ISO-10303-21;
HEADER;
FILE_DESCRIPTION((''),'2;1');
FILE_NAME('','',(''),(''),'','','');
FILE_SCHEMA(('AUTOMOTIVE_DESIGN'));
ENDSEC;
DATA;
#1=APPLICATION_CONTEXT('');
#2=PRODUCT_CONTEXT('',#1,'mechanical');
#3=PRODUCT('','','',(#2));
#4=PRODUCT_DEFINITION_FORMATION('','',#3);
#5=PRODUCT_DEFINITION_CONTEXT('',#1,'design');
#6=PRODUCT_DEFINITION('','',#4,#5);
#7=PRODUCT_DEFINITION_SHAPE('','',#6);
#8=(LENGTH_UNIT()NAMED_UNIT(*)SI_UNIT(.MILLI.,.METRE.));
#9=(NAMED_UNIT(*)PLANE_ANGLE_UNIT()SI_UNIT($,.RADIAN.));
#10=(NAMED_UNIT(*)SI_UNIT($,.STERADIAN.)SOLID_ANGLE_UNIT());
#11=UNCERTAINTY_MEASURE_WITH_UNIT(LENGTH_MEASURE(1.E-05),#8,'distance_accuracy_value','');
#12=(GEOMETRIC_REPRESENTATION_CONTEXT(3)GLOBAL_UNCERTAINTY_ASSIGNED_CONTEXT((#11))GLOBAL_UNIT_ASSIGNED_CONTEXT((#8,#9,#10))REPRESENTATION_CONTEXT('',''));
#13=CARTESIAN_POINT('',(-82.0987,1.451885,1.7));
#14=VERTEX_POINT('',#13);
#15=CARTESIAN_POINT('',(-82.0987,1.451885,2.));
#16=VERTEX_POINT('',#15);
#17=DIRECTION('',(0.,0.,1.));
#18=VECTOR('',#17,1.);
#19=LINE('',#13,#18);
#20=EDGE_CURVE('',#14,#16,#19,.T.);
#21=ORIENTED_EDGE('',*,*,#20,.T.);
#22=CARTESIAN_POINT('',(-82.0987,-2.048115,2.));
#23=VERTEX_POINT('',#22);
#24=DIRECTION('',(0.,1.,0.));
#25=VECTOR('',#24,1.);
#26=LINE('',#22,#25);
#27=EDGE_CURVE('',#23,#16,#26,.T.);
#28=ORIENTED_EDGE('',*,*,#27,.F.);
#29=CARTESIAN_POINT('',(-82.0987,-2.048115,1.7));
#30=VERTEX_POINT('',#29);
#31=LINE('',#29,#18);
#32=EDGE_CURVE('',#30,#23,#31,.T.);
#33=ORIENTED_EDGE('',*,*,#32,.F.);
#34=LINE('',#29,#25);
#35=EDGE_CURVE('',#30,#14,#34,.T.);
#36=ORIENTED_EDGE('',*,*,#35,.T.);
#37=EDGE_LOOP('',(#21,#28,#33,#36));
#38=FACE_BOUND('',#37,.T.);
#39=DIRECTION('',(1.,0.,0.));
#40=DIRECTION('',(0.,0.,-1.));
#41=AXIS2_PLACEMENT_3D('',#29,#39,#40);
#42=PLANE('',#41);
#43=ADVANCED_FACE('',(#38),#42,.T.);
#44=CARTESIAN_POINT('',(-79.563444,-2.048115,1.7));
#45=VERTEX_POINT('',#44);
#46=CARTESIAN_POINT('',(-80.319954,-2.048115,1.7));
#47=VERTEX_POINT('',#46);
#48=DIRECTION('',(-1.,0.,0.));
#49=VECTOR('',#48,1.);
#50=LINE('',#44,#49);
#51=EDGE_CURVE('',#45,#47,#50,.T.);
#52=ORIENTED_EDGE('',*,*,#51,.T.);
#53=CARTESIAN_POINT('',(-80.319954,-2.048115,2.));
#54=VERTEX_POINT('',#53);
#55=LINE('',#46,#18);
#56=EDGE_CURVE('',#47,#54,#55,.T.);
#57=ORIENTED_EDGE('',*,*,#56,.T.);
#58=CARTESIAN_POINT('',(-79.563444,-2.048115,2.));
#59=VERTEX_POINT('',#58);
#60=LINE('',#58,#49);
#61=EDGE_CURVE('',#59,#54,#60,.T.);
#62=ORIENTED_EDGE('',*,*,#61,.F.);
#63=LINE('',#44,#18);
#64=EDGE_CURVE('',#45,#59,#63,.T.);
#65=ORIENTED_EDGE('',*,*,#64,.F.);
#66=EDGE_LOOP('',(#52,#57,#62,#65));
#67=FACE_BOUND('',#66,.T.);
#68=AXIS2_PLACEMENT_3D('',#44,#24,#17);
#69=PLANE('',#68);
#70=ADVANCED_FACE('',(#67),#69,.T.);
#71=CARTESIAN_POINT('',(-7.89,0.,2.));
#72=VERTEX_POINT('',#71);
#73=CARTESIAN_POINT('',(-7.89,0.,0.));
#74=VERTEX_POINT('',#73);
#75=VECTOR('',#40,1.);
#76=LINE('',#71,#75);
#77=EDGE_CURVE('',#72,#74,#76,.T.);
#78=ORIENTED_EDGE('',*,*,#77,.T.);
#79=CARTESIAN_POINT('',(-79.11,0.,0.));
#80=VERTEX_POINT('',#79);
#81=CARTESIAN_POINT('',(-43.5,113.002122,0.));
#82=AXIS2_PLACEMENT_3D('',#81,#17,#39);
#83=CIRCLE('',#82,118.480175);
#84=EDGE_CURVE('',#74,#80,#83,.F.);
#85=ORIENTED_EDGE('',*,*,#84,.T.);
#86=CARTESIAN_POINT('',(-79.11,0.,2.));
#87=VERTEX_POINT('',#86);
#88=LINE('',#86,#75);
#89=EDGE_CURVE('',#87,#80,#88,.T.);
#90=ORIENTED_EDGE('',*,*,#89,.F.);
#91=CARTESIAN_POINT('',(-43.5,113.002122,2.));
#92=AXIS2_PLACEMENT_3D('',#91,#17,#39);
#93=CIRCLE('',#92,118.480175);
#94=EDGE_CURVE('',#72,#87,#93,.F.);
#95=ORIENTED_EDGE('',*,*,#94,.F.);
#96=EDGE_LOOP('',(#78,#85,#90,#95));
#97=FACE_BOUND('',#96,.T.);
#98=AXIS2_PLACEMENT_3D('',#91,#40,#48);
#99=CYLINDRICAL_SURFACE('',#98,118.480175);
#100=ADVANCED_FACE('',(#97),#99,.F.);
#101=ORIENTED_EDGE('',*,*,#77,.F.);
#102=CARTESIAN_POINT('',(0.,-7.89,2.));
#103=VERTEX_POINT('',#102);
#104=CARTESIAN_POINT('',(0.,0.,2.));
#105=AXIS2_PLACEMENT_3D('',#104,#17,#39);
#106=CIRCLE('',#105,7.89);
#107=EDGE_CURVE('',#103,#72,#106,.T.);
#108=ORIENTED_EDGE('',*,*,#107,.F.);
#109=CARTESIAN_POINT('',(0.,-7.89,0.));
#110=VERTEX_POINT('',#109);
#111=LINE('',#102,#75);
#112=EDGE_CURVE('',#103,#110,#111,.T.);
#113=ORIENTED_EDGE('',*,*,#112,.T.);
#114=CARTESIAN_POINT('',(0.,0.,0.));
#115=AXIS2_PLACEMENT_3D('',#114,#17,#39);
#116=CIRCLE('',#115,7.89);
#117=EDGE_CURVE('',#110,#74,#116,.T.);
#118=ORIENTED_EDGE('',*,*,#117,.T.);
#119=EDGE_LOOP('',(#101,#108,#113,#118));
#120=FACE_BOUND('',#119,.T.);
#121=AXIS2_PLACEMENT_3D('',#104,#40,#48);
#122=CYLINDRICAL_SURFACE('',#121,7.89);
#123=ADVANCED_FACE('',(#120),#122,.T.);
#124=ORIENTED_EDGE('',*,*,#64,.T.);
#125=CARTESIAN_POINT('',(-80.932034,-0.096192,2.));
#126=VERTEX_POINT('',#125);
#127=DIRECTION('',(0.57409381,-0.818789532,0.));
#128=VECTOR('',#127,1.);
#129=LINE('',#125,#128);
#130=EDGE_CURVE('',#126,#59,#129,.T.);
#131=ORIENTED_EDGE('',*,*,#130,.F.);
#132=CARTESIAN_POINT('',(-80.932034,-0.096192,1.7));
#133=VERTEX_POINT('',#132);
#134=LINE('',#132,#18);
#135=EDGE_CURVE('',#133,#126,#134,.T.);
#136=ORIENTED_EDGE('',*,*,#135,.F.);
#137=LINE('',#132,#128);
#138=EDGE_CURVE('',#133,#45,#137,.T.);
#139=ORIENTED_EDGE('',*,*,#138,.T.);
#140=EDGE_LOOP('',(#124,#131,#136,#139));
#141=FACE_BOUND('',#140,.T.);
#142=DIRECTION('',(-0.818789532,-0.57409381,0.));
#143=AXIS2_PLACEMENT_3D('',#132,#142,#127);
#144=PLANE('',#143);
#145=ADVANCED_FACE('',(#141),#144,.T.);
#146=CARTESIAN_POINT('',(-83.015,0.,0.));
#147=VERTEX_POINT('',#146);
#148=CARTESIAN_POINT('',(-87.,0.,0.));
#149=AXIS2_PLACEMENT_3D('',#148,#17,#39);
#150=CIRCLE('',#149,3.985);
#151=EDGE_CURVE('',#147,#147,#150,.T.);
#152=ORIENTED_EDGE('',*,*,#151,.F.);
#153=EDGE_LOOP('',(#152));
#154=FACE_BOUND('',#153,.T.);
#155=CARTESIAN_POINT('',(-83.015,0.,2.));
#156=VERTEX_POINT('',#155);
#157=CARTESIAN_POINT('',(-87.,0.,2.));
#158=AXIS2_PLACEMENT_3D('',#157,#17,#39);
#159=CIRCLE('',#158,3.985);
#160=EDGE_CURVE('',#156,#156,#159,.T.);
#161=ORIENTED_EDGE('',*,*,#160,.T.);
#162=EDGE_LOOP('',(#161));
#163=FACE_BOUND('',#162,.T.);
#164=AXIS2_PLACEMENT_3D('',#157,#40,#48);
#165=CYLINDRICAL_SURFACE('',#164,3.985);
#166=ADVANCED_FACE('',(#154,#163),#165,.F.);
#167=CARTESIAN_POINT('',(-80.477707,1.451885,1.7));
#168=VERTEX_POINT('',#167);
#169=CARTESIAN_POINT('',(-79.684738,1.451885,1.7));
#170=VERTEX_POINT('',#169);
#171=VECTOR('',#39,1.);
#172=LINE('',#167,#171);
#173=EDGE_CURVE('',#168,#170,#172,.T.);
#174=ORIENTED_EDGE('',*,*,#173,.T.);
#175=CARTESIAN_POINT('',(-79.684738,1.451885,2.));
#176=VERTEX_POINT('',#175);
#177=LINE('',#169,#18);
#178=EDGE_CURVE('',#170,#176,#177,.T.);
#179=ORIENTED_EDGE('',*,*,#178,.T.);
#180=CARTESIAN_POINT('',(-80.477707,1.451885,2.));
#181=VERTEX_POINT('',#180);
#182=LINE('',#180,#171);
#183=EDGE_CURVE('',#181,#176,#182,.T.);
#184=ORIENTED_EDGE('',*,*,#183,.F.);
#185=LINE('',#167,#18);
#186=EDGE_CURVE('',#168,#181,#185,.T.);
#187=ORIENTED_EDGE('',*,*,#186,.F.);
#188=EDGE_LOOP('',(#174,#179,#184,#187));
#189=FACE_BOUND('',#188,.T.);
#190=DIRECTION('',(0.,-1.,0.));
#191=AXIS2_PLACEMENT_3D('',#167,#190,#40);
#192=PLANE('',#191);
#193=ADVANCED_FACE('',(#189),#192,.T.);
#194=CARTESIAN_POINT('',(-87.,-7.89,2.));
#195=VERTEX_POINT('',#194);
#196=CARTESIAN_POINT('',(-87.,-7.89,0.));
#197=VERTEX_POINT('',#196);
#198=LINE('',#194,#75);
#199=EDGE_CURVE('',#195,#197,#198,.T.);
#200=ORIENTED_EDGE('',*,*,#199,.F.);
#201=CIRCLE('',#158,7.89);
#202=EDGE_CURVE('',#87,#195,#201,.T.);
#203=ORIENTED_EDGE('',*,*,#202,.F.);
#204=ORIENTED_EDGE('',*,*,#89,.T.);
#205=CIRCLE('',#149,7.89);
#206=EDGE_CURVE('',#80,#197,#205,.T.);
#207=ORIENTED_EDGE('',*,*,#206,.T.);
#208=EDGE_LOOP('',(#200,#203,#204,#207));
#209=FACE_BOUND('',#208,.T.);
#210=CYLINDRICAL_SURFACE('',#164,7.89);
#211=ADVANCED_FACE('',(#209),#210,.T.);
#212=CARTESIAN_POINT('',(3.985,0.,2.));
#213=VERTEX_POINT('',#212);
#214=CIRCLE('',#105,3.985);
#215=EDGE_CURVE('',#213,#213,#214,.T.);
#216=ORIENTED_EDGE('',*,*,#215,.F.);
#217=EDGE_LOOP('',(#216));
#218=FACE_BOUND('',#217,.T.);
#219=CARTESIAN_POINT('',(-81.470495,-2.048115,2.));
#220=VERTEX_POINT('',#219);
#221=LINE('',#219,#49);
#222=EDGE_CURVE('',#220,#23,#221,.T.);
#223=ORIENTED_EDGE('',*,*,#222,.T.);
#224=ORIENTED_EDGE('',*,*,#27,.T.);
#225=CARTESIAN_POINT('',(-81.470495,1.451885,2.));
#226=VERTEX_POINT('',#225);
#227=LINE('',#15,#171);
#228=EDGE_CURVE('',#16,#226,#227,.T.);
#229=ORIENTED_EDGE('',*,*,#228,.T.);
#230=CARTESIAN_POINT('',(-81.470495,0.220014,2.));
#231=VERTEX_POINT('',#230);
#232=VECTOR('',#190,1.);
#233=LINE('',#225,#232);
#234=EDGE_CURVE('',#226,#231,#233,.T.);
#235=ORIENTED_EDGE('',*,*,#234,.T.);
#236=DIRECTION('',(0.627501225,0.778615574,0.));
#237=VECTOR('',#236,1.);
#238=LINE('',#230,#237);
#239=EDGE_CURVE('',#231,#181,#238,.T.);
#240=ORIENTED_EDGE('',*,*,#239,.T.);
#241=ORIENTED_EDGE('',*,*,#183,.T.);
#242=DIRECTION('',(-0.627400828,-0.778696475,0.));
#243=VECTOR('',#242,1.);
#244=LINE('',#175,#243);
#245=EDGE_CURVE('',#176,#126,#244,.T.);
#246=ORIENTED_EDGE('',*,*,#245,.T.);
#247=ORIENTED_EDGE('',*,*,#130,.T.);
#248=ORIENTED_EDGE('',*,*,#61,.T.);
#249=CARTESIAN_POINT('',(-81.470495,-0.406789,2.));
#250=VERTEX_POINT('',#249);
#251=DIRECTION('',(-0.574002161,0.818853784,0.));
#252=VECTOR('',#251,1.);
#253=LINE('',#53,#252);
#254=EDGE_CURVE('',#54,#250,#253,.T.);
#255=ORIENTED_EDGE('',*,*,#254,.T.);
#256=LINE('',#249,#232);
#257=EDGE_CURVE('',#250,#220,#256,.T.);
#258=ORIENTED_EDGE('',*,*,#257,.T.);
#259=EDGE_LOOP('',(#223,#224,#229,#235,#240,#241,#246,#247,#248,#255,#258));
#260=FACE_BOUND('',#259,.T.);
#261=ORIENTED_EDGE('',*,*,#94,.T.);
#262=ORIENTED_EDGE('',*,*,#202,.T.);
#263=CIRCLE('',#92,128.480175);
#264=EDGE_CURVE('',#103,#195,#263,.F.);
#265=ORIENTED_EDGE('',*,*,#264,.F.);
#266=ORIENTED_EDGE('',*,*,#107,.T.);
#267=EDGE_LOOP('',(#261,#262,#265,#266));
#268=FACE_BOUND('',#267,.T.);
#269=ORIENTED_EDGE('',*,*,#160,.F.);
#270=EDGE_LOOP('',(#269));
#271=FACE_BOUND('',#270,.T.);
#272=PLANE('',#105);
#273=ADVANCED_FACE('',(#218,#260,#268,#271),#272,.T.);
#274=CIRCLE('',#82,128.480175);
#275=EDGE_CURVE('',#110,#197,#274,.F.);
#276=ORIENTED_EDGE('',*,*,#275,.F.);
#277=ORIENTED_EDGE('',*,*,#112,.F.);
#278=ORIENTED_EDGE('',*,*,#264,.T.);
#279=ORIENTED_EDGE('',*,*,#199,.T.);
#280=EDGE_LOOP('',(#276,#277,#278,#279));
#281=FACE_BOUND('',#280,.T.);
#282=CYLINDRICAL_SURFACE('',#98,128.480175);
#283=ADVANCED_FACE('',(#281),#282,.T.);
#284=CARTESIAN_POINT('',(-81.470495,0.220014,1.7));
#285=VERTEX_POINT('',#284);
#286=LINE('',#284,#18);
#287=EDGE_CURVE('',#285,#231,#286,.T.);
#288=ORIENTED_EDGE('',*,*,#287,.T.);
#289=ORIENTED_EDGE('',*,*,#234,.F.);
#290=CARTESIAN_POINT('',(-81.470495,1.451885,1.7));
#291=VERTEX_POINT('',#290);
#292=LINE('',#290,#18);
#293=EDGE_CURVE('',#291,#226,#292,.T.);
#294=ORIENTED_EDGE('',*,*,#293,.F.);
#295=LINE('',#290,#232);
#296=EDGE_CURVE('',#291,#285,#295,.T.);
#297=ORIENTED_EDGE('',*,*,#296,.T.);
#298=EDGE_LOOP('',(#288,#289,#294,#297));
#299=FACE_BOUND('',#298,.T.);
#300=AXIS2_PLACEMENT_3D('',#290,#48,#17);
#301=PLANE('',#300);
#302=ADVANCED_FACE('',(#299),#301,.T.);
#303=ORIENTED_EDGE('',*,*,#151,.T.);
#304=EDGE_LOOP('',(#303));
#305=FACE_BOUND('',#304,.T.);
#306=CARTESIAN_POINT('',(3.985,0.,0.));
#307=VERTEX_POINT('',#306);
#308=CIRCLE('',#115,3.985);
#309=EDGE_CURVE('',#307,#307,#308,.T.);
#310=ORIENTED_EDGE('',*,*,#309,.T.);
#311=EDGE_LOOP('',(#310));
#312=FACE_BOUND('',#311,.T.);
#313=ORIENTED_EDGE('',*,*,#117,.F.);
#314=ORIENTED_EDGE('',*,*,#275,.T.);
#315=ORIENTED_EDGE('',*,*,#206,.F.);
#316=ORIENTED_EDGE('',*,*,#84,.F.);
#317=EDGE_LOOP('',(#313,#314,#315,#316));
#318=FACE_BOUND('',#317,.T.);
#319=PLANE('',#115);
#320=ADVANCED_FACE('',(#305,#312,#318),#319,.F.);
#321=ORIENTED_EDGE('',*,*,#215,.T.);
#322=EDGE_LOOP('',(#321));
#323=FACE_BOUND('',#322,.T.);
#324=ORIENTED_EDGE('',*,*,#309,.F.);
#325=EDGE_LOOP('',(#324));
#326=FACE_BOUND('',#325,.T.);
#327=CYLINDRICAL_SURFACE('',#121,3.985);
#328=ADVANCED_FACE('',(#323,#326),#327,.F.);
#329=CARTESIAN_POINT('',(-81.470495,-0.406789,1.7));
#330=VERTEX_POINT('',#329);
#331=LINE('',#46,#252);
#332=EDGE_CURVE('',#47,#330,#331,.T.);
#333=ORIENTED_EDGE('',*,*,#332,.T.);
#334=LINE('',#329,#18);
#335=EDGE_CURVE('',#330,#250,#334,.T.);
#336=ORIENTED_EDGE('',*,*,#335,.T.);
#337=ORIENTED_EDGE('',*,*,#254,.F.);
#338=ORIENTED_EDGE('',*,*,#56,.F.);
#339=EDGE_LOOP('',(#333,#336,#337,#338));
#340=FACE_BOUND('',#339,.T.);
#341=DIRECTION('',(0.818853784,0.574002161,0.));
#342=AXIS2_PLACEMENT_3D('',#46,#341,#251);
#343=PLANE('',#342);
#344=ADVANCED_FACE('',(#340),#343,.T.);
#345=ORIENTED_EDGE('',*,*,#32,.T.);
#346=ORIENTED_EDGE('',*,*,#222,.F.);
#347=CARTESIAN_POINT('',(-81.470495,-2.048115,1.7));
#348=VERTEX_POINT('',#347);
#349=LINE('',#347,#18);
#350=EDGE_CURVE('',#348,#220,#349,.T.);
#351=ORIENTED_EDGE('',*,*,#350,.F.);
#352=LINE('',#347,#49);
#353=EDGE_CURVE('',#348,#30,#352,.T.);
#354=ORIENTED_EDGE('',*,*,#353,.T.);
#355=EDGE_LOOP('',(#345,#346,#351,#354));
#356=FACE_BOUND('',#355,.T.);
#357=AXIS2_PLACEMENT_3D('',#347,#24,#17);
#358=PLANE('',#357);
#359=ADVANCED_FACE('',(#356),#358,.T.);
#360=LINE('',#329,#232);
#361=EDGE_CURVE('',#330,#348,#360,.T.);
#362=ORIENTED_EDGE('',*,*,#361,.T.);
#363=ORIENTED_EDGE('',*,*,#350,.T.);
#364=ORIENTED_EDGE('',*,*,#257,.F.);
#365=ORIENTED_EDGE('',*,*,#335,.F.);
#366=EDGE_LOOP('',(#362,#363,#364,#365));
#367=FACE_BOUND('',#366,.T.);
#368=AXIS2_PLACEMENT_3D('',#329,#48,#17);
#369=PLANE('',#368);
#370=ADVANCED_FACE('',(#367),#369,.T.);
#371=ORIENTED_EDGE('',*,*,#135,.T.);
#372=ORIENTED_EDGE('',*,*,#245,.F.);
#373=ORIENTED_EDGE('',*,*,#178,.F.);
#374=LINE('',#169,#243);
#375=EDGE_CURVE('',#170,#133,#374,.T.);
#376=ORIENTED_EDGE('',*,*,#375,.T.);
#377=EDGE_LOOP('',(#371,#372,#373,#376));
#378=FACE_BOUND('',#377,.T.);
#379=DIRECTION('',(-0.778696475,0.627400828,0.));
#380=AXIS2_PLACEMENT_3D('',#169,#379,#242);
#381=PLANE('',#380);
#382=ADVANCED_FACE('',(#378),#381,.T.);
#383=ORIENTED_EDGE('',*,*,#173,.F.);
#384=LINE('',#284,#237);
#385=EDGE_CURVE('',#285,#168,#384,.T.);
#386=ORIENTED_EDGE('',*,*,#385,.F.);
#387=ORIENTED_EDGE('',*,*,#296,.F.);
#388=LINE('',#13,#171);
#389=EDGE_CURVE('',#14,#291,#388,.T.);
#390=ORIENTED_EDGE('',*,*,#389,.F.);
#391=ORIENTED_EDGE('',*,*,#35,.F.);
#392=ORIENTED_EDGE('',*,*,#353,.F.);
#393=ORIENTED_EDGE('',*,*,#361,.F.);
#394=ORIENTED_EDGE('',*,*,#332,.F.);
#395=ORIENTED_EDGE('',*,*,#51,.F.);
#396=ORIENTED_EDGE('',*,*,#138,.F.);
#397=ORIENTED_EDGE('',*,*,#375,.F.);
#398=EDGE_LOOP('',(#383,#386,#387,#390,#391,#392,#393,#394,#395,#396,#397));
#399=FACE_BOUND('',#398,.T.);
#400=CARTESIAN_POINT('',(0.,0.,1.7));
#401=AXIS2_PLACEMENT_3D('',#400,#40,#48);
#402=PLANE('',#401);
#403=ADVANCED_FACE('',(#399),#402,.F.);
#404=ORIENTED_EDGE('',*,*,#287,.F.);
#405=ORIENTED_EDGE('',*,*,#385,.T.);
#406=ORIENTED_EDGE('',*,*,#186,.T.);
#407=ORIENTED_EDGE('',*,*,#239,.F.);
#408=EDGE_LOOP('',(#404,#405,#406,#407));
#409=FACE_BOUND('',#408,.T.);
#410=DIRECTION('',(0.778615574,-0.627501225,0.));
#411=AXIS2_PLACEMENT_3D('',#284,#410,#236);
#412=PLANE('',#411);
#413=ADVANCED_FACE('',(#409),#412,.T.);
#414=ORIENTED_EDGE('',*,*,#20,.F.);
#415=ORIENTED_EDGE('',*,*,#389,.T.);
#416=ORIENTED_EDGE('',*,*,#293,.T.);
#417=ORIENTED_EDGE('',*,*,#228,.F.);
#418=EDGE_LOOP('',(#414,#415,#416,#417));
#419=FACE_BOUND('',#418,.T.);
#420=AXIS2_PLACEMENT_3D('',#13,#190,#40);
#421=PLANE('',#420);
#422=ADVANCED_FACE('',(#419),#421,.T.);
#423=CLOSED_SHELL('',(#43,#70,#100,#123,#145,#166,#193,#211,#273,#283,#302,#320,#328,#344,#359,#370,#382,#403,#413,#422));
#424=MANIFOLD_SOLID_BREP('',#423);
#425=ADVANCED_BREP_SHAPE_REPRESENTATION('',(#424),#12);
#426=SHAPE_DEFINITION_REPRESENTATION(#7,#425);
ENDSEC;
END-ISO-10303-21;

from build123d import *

# Parameters (mm, degrees)
ESQUISSE1_R             = 3.985
BOSS_EXTRU_1_DEPTH      = 2
ENL_V_MAT_EXTRU_1_DEPTH = 0.3


with BuildPart() as part:
    # Esquisse1 → Boss.-Extru.1 (new body)
    with BuildSketch(Plane(origin=(0, 0, 0), x_dir=(0, 1, 0), z_dir=(0, 0, 1))):
        with BuildLine():
            ThreePointArc((-7.89, 0), (5.579072504, -5.579072504), (0, 7.89))
            ThreePointArc((0, 7.89), (-5.478052173, 43.5), (0, 79.11))
            ThreePointArc((0, 79.11), (5.579072504, 92.579072504), (-7.89, 87))
            ThreePointArc((-7.89, 87), (-15.478052173, 43.5), (-7.89, 0))
        make_face()
        with Locations(Location((0, 0, 0), (0, 0, 270))):
            Circle(ESQUISSE1_R, mode=Mode.SUBTRACT)
        with Locations(Location((0, 87, 0), (0, 0, 270))):
            Circle(ESQUISSE1_R, mode=Mode.SUBTRACT)
    extrude(amount=BOSS_EXTRU_1_DEPTH)

    # Esquisse2 → Enlèv. mat.-Extru.1 (cut)
    with BuildSketch(Plane.XY.offset(2)):
        Polygon((-82.098700293, 1.451884906), (-81.470495165, 1.451884906), (-81.470495165, 0.220013912), (-80.477706704, 1.451884906), (-79.684737954, 1.451884906), (-80.932033627, -0.096192018), (-79.563443883, -2.048115094), (-80.3199543, -2.048115094), (-81.470495165, -0.406788973), (-81.470495165, -2.048115094), (-82.098700293, -2.048115094), align=None)
    extrude(amount=-ENL_V_MAT_EXTRU_1_DEPTH, mode=Mode.SUBTRACT)


solid = part.part
